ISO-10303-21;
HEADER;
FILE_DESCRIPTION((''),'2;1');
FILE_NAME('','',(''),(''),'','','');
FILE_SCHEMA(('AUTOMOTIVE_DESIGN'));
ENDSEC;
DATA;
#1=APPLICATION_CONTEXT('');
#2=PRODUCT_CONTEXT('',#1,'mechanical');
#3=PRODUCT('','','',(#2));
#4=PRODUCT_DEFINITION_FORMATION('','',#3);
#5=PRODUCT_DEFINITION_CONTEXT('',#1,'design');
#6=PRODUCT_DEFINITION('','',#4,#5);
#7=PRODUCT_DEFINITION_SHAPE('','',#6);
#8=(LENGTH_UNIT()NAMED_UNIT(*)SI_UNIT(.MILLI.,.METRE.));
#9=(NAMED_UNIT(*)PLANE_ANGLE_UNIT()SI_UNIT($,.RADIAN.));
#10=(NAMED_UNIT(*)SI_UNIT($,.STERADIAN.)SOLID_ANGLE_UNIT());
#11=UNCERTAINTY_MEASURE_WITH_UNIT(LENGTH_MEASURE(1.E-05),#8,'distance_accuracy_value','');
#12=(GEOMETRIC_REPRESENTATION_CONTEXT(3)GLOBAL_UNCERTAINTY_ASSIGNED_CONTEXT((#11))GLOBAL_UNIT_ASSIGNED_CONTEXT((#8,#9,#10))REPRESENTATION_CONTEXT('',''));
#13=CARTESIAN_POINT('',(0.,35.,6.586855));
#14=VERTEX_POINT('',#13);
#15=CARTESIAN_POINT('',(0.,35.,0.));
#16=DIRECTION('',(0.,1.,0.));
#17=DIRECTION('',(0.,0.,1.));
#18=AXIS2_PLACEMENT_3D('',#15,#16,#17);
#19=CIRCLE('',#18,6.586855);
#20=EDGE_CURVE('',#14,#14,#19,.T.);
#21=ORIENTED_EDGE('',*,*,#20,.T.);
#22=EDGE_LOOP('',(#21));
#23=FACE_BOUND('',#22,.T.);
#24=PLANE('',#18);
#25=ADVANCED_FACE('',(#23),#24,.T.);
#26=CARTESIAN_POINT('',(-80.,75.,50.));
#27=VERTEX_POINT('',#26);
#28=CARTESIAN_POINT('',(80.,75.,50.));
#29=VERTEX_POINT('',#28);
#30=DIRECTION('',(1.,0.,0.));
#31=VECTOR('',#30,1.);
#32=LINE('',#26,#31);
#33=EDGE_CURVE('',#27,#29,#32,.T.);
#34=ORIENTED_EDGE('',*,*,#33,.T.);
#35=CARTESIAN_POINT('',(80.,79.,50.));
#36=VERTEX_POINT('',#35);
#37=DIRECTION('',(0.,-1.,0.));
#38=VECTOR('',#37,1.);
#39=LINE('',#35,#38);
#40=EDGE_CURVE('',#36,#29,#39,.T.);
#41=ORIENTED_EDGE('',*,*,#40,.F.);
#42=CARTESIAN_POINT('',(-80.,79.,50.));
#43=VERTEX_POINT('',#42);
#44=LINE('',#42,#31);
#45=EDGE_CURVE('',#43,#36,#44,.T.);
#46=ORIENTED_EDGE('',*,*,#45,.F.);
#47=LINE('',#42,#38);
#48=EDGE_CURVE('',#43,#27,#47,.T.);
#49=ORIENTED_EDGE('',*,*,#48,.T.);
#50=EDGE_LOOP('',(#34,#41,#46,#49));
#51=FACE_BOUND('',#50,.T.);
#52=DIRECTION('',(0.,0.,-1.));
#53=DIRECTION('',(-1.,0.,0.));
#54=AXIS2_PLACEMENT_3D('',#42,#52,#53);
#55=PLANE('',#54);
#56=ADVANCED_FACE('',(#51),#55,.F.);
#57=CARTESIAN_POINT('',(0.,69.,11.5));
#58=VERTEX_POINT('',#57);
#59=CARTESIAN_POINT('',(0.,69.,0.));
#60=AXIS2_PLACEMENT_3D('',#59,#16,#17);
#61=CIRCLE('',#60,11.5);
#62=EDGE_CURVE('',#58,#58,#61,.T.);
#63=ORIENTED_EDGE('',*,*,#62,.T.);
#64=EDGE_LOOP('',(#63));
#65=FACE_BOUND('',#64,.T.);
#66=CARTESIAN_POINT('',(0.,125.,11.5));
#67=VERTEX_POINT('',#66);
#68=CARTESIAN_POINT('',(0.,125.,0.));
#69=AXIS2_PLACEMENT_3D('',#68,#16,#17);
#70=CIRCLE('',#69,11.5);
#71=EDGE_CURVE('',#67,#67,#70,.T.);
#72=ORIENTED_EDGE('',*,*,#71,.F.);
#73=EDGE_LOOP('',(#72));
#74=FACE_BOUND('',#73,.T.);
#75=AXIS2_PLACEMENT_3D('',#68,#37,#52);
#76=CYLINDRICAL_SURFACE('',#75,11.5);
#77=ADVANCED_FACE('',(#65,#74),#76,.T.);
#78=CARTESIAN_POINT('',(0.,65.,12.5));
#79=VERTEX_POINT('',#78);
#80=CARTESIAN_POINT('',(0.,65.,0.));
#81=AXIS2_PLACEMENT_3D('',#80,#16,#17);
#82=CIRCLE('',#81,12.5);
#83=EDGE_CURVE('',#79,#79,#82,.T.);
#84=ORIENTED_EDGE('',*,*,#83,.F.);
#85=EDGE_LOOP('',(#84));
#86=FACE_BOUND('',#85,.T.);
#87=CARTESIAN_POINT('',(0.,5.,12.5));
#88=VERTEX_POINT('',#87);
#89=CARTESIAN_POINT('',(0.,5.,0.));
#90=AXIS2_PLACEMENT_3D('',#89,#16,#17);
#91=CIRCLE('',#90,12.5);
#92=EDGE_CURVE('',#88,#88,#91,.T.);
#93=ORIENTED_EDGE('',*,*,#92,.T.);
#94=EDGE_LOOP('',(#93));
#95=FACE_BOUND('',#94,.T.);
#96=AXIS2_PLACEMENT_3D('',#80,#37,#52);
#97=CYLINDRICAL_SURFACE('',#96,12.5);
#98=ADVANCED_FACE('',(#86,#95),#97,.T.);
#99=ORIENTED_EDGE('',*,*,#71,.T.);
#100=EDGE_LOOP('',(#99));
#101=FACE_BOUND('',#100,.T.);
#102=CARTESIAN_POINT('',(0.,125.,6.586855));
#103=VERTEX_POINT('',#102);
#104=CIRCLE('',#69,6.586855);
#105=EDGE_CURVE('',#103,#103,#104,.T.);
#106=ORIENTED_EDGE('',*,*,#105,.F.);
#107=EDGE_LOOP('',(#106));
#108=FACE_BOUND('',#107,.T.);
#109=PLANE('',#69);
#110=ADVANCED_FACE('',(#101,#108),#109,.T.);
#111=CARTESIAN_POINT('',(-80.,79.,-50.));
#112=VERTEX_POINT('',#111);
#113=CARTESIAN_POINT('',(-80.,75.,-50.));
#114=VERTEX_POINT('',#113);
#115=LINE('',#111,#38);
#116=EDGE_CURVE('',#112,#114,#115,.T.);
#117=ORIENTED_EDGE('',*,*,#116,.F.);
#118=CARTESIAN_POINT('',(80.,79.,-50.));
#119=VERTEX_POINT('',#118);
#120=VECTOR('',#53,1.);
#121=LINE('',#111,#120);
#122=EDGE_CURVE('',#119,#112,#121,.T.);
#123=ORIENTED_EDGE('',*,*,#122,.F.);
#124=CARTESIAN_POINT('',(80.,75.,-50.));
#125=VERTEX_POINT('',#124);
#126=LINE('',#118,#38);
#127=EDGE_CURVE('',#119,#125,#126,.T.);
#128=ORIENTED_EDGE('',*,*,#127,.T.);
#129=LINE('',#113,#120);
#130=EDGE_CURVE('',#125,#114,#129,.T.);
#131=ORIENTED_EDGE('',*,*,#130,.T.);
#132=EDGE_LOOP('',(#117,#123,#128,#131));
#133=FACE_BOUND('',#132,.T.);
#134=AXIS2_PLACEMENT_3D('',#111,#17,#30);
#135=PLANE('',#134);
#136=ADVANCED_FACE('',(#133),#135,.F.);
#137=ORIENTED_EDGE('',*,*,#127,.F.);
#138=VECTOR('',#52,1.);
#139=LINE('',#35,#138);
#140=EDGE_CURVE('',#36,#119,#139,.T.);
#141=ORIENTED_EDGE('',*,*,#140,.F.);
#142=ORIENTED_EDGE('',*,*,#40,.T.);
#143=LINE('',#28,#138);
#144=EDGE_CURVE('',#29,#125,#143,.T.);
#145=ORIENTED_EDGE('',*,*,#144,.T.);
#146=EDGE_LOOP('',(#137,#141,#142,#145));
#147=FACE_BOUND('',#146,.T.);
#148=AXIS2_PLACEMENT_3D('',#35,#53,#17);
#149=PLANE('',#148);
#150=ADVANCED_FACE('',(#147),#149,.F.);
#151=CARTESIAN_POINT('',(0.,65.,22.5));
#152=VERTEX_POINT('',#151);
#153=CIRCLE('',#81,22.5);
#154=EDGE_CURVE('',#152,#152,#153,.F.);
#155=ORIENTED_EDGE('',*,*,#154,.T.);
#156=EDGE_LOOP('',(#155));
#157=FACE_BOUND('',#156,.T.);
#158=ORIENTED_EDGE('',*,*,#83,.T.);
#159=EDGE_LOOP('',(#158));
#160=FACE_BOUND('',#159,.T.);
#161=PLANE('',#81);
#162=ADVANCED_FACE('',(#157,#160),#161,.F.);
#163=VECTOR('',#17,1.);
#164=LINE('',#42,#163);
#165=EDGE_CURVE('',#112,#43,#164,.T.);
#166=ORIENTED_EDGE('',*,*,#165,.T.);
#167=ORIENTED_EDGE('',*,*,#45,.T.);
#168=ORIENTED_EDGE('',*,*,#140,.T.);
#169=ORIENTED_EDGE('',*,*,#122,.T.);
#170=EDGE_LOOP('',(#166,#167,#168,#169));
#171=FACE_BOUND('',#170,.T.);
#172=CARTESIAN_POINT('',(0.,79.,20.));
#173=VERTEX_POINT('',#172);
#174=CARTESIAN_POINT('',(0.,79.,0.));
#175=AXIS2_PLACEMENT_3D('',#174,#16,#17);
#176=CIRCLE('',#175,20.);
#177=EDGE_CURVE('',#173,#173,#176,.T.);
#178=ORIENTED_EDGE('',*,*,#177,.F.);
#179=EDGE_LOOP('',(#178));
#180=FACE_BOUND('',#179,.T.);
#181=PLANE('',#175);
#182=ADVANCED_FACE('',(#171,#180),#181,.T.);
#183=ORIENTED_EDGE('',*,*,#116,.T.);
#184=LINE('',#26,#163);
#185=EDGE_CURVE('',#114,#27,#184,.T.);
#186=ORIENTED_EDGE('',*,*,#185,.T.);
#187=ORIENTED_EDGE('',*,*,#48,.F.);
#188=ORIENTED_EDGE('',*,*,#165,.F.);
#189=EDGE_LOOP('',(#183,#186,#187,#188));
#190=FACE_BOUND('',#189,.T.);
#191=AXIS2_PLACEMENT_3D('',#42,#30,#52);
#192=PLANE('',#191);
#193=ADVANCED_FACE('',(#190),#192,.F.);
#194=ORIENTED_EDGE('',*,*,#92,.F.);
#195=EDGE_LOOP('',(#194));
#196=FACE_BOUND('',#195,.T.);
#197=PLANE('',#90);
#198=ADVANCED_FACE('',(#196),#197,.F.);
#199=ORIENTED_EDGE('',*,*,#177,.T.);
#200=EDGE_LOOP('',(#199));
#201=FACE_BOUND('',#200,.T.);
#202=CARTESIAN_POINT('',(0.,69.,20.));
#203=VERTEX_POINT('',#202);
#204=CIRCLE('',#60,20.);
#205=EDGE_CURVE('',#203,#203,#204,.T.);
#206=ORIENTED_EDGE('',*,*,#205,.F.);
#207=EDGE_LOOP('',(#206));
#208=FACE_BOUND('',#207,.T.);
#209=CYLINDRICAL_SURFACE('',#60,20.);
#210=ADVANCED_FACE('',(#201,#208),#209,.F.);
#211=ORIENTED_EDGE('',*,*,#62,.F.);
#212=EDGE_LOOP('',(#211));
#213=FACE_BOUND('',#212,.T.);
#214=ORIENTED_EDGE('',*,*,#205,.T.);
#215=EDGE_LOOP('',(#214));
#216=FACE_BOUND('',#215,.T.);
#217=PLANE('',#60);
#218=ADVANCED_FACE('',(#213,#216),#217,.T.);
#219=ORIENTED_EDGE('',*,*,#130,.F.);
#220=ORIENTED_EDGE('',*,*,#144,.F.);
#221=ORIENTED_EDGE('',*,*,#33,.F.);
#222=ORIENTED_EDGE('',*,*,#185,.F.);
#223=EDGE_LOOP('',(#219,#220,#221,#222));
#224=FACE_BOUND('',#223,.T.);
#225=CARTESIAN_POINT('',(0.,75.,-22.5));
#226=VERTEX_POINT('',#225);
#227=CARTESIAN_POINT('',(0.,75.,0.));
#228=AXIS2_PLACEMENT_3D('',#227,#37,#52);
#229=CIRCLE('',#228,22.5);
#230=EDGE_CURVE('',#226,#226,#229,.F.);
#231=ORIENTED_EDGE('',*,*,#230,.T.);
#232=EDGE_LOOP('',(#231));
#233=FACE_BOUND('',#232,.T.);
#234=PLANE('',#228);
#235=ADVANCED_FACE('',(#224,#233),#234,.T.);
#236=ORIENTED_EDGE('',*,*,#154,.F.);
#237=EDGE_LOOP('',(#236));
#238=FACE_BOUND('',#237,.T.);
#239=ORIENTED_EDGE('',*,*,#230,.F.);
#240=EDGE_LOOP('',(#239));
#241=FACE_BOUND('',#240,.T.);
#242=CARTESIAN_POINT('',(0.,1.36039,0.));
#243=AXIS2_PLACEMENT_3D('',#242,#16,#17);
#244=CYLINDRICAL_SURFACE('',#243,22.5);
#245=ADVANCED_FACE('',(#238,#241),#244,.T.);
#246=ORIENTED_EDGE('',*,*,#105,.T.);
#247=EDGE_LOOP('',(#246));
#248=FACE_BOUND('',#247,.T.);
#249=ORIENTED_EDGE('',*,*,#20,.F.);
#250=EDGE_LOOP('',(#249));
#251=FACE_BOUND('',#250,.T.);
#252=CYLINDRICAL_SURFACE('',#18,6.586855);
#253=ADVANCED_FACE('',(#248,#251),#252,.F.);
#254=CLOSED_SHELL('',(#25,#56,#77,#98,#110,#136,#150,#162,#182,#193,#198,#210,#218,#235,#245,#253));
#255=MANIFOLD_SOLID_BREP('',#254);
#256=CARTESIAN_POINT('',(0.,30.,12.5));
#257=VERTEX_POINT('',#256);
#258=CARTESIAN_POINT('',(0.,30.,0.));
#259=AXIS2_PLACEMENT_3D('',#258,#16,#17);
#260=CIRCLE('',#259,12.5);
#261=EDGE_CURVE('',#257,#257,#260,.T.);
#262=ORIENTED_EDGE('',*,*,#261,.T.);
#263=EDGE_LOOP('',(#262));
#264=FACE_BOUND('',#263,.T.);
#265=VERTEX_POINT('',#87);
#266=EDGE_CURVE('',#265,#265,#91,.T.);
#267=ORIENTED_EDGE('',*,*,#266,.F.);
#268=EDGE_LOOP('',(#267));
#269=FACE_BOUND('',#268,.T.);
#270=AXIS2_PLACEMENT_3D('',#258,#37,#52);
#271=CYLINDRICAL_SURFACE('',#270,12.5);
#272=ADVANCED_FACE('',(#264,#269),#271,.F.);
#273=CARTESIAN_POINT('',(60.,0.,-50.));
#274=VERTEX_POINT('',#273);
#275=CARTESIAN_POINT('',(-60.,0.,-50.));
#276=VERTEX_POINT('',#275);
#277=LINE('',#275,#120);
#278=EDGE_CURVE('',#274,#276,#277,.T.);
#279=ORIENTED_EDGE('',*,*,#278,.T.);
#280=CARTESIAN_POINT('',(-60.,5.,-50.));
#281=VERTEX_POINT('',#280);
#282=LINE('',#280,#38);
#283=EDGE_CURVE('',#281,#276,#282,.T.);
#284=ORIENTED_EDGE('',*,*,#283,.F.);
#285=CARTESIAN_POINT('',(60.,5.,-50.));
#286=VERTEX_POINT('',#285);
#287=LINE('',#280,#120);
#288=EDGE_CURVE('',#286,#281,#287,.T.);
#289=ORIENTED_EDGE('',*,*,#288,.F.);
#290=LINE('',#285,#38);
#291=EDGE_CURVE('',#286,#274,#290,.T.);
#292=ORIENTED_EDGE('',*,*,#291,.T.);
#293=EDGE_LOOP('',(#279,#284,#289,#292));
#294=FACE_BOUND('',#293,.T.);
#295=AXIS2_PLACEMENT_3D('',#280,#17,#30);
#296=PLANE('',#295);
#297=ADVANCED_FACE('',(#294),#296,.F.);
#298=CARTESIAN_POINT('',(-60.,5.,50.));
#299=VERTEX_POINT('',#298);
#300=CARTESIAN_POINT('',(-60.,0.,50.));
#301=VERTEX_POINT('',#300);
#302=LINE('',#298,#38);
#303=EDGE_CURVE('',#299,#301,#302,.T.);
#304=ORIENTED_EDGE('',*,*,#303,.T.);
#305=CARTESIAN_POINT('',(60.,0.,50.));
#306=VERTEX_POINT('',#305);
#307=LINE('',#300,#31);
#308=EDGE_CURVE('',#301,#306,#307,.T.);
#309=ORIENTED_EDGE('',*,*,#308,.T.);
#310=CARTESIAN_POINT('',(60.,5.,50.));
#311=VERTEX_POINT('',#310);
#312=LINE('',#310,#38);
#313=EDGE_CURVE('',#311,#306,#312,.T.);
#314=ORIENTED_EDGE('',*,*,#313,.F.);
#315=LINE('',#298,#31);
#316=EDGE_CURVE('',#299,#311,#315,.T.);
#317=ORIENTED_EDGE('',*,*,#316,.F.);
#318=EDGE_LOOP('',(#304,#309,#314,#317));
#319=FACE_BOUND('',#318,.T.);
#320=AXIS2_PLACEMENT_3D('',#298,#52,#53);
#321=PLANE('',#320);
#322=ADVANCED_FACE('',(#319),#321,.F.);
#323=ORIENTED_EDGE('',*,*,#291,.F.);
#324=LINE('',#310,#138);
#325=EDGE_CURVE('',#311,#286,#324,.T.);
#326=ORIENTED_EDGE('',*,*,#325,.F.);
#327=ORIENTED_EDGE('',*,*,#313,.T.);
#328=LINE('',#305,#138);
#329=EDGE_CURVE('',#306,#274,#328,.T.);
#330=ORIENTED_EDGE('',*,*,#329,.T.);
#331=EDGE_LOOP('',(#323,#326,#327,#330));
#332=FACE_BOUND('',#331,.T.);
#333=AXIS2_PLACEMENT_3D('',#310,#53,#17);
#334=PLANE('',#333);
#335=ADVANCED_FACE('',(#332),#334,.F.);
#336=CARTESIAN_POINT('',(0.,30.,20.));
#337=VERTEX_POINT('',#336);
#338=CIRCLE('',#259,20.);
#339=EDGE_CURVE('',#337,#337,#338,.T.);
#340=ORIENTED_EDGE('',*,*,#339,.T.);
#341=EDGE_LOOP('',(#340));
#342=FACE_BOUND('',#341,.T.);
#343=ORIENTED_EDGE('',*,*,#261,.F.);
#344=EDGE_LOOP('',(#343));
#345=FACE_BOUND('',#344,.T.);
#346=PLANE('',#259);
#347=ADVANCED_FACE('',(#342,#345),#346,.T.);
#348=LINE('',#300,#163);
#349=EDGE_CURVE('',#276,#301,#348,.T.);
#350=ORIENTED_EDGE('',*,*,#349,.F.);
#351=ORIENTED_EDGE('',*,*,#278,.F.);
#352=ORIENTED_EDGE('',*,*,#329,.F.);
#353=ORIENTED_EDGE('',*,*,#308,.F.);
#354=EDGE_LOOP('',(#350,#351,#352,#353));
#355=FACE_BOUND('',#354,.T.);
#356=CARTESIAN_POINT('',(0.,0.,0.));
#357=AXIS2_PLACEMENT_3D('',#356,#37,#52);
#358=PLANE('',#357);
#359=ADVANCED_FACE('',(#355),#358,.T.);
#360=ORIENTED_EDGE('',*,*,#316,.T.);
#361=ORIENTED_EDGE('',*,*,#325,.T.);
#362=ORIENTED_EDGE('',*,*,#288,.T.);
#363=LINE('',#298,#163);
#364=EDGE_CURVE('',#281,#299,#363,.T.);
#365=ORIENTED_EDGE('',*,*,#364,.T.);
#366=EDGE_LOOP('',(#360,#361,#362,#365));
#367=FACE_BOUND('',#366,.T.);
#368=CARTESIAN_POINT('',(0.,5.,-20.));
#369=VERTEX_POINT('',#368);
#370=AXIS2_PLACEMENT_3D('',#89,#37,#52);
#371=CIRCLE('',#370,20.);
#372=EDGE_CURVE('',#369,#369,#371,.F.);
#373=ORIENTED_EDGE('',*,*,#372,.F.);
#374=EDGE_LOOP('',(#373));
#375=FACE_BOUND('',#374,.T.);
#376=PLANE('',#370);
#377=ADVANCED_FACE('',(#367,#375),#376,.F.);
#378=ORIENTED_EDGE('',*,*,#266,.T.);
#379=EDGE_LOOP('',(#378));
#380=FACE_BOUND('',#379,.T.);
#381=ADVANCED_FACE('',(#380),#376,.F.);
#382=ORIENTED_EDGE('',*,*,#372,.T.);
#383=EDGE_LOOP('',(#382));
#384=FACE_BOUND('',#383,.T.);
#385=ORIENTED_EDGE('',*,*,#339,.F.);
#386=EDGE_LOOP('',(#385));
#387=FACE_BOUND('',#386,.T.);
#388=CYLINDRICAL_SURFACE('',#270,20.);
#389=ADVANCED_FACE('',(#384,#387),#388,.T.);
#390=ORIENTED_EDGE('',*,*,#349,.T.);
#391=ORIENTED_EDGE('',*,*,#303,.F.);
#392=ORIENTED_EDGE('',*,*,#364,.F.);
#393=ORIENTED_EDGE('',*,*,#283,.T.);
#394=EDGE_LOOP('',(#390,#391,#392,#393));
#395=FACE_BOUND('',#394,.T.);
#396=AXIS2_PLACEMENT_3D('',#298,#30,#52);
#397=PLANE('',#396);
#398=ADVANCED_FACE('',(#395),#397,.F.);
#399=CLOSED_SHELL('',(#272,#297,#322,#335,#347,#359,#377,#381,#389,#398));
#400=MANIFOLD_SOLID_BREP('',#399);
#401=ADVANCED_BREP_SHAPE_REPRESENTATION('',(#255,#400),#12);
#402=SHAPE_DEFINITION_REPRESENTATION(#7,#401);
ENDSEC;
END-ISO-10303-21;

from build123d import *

# Parameters (mm, degrees)
SKETCH1_W           = 120
SKETCH1_H           = 100
BOSS_EXTRUDE1_DEPTH = 5
SKETCH2_R           = 20
SKETCH2_R_2         = 12.5
BOSS_EXTRUDE2_DEPTH = 25
SKETCH4_R           = 12.5
BOSS_EXTRUDE3_DEPTH = 60
SKETCH5_R           = 6.586855475
CUT_EXTRUDE1_DEPTH  = 30
SKETCH9_R           = 11.5
SKETCH9_R_2         = 6.586855475
BOSS_EXTRUDE6_DEPTH = 60
BOSS_EXTRUDE4_START = 10
SKETCH6_W           = 160
SKETCH6_H           = 100
SKETCH6_R           = 12.5
BOSS_EXTRUDE4_DEPTH = 4
SKETCH10_R          = 22.5
SKETCH10_R_2        = 11.5
BOSS_EXTRUDE7_DEPTH = 14
CUT_EXTRUDE5_START  = -10
SKETCH8_R           = 20
SKETCH8_R_2         = 11.5
CUT_EXTRUDE5_DEPTH  = 10


with BuildPart() as part:
    # Sketch1 → Boss-Extrude1 (new body)
    with BuildSketch(Plane(origin=(0, 0, 0), x_dir=(1, 0, 0), z_dir=(0, 1, 0))):
        Rectangle(SKETCH1_W, SKETCH1_H)
    extrude(amount=BOSS_EXTRUDE1_DEPTH)

    # Sketch2 → Boss-Extrude2 (add)
    with BuildSketch(Plane(origin=(0, 5, 0), x_dir=(1, 0, 0), z_dir=(0, 1, 0))):
        with Locations(Location((0, 0, 0), (0, 0, 90))):
            Circle(SKETCH2_R)
        with Locations(Location((0, 0, 0), (0, 0, 270))):
            Circle(SKETCH2_R_2, mode=Mode.SUBTRACT)
    extrude(amount=BOSS_EXTRUDE2_DEPTH)


with BuildPart() as body_2:
    # Sketch4 → Boss-Extrude3 (new body)
    with BuildSketch(Plane(origin=(0, 5, 0), x_dir=(1, 0, 0), z_dir=(0, 1, 0))):
        with Locations(Location((0, 0, 0), (0, 0, 270))):
            Circle(SKETCH4_R)
    extrude(amount=BOSS_EXTRUDE3_DEPTH)

    # Sketch5 → Cut-Extrude1 (cut)
    with BuildSketch(Plane(origin=(0, 65, 0), x_dir=(1, 0, 0), z_dir=(0, 1, 0))):
        with Locations(Location((0, 0, 0), (0, 0, 270))):
            Circle(SKETCH5_R)
    extrude(amount=-CUT_EXTRUDE1_DEPTH, mode=Mode.SUBTRACT)

    # Sketch9 → Boss-Extrude6 (add)
    with BuildSketch(Plane(origin=(0, 65, 0), x_dir=(1, 0, 0), z_dir=(0, 1, 0))):
        with Locations(Location((0, 0, 0), (0, 0, 270))):
            Circle(SKETCH9_R)
        with Locations(Location((0, 0, 0), (0, 0, 270))):
            Circle(SKETCH9_R_2, mode=Mode.SUBTRACT)
    extrude(amount=BOSS_EXTRUDE6_DEPTH)



with BuildPart() as body_3:
    # Sketch6 → Boss-Extrude4 (new body)
    with BuildSketch(Plane(origin=(0, 65, 0), x_dir=(1, 0, 0), z_dir=(0, 1, 0)).offset(BOSS_EXTRUDE4_START)):
        Rectangle(SKETCH6_W, SKETCH6_H)
        with Locations(Location((0, 0, 0), (0, 0, 270))):
            Circle(SKETCH6_R, mode=Mode.SUBTRACT)
    extrude(amount=BOSS_EXTRUDE4_DEPTH)


with BuildPart() as body_2_1:
    add(body_2.part)

    add(body_3.part)  # Boss-Extrude7 merges body 3
    # Sketch10 → Boss-Extrude7 (add)
    with BuildSketch(Plane(origin=(0, 79, 0), x_dir=(1, 0, 0), z_dir=(0, 1, 0))):
        with Locations(Location((0, 0, 0), (0, 0, 270))):
            Circle(SKETCH10_R)
        with Locations(Location((0, 0, 0), (0, 0, 270))):
            Circle(SKETCH10_R_2, mode=Mode.SUBTRACT)
    extrude(amount=-BOSS_EXTRUDE7_DEPTH)

    # Sketch8 → Cut-Extrude5 (cut)
    with BuildSketch(Plane(origin=(0, 79, 0), x_dir=(1, 0, 0), z_dir=(0, 1, 0)).offset(CUT_EXTRUDE5_START)):
        with Locations(Location((0, 0, 0), (0, 0, 270))):
            Circle(SKETCH8_R)
        with Locations(Location((0, 0, 0), (0, 0, 270))):
            Circle(SKETCH8_R_2, mode=Mode.SUBTRACT)
    extrude(amount=CUT_EXTRUDE5_DEPTH, mode=Mode.SUBTRACT)


solid = Compound([part.part, body_2_1.part])
